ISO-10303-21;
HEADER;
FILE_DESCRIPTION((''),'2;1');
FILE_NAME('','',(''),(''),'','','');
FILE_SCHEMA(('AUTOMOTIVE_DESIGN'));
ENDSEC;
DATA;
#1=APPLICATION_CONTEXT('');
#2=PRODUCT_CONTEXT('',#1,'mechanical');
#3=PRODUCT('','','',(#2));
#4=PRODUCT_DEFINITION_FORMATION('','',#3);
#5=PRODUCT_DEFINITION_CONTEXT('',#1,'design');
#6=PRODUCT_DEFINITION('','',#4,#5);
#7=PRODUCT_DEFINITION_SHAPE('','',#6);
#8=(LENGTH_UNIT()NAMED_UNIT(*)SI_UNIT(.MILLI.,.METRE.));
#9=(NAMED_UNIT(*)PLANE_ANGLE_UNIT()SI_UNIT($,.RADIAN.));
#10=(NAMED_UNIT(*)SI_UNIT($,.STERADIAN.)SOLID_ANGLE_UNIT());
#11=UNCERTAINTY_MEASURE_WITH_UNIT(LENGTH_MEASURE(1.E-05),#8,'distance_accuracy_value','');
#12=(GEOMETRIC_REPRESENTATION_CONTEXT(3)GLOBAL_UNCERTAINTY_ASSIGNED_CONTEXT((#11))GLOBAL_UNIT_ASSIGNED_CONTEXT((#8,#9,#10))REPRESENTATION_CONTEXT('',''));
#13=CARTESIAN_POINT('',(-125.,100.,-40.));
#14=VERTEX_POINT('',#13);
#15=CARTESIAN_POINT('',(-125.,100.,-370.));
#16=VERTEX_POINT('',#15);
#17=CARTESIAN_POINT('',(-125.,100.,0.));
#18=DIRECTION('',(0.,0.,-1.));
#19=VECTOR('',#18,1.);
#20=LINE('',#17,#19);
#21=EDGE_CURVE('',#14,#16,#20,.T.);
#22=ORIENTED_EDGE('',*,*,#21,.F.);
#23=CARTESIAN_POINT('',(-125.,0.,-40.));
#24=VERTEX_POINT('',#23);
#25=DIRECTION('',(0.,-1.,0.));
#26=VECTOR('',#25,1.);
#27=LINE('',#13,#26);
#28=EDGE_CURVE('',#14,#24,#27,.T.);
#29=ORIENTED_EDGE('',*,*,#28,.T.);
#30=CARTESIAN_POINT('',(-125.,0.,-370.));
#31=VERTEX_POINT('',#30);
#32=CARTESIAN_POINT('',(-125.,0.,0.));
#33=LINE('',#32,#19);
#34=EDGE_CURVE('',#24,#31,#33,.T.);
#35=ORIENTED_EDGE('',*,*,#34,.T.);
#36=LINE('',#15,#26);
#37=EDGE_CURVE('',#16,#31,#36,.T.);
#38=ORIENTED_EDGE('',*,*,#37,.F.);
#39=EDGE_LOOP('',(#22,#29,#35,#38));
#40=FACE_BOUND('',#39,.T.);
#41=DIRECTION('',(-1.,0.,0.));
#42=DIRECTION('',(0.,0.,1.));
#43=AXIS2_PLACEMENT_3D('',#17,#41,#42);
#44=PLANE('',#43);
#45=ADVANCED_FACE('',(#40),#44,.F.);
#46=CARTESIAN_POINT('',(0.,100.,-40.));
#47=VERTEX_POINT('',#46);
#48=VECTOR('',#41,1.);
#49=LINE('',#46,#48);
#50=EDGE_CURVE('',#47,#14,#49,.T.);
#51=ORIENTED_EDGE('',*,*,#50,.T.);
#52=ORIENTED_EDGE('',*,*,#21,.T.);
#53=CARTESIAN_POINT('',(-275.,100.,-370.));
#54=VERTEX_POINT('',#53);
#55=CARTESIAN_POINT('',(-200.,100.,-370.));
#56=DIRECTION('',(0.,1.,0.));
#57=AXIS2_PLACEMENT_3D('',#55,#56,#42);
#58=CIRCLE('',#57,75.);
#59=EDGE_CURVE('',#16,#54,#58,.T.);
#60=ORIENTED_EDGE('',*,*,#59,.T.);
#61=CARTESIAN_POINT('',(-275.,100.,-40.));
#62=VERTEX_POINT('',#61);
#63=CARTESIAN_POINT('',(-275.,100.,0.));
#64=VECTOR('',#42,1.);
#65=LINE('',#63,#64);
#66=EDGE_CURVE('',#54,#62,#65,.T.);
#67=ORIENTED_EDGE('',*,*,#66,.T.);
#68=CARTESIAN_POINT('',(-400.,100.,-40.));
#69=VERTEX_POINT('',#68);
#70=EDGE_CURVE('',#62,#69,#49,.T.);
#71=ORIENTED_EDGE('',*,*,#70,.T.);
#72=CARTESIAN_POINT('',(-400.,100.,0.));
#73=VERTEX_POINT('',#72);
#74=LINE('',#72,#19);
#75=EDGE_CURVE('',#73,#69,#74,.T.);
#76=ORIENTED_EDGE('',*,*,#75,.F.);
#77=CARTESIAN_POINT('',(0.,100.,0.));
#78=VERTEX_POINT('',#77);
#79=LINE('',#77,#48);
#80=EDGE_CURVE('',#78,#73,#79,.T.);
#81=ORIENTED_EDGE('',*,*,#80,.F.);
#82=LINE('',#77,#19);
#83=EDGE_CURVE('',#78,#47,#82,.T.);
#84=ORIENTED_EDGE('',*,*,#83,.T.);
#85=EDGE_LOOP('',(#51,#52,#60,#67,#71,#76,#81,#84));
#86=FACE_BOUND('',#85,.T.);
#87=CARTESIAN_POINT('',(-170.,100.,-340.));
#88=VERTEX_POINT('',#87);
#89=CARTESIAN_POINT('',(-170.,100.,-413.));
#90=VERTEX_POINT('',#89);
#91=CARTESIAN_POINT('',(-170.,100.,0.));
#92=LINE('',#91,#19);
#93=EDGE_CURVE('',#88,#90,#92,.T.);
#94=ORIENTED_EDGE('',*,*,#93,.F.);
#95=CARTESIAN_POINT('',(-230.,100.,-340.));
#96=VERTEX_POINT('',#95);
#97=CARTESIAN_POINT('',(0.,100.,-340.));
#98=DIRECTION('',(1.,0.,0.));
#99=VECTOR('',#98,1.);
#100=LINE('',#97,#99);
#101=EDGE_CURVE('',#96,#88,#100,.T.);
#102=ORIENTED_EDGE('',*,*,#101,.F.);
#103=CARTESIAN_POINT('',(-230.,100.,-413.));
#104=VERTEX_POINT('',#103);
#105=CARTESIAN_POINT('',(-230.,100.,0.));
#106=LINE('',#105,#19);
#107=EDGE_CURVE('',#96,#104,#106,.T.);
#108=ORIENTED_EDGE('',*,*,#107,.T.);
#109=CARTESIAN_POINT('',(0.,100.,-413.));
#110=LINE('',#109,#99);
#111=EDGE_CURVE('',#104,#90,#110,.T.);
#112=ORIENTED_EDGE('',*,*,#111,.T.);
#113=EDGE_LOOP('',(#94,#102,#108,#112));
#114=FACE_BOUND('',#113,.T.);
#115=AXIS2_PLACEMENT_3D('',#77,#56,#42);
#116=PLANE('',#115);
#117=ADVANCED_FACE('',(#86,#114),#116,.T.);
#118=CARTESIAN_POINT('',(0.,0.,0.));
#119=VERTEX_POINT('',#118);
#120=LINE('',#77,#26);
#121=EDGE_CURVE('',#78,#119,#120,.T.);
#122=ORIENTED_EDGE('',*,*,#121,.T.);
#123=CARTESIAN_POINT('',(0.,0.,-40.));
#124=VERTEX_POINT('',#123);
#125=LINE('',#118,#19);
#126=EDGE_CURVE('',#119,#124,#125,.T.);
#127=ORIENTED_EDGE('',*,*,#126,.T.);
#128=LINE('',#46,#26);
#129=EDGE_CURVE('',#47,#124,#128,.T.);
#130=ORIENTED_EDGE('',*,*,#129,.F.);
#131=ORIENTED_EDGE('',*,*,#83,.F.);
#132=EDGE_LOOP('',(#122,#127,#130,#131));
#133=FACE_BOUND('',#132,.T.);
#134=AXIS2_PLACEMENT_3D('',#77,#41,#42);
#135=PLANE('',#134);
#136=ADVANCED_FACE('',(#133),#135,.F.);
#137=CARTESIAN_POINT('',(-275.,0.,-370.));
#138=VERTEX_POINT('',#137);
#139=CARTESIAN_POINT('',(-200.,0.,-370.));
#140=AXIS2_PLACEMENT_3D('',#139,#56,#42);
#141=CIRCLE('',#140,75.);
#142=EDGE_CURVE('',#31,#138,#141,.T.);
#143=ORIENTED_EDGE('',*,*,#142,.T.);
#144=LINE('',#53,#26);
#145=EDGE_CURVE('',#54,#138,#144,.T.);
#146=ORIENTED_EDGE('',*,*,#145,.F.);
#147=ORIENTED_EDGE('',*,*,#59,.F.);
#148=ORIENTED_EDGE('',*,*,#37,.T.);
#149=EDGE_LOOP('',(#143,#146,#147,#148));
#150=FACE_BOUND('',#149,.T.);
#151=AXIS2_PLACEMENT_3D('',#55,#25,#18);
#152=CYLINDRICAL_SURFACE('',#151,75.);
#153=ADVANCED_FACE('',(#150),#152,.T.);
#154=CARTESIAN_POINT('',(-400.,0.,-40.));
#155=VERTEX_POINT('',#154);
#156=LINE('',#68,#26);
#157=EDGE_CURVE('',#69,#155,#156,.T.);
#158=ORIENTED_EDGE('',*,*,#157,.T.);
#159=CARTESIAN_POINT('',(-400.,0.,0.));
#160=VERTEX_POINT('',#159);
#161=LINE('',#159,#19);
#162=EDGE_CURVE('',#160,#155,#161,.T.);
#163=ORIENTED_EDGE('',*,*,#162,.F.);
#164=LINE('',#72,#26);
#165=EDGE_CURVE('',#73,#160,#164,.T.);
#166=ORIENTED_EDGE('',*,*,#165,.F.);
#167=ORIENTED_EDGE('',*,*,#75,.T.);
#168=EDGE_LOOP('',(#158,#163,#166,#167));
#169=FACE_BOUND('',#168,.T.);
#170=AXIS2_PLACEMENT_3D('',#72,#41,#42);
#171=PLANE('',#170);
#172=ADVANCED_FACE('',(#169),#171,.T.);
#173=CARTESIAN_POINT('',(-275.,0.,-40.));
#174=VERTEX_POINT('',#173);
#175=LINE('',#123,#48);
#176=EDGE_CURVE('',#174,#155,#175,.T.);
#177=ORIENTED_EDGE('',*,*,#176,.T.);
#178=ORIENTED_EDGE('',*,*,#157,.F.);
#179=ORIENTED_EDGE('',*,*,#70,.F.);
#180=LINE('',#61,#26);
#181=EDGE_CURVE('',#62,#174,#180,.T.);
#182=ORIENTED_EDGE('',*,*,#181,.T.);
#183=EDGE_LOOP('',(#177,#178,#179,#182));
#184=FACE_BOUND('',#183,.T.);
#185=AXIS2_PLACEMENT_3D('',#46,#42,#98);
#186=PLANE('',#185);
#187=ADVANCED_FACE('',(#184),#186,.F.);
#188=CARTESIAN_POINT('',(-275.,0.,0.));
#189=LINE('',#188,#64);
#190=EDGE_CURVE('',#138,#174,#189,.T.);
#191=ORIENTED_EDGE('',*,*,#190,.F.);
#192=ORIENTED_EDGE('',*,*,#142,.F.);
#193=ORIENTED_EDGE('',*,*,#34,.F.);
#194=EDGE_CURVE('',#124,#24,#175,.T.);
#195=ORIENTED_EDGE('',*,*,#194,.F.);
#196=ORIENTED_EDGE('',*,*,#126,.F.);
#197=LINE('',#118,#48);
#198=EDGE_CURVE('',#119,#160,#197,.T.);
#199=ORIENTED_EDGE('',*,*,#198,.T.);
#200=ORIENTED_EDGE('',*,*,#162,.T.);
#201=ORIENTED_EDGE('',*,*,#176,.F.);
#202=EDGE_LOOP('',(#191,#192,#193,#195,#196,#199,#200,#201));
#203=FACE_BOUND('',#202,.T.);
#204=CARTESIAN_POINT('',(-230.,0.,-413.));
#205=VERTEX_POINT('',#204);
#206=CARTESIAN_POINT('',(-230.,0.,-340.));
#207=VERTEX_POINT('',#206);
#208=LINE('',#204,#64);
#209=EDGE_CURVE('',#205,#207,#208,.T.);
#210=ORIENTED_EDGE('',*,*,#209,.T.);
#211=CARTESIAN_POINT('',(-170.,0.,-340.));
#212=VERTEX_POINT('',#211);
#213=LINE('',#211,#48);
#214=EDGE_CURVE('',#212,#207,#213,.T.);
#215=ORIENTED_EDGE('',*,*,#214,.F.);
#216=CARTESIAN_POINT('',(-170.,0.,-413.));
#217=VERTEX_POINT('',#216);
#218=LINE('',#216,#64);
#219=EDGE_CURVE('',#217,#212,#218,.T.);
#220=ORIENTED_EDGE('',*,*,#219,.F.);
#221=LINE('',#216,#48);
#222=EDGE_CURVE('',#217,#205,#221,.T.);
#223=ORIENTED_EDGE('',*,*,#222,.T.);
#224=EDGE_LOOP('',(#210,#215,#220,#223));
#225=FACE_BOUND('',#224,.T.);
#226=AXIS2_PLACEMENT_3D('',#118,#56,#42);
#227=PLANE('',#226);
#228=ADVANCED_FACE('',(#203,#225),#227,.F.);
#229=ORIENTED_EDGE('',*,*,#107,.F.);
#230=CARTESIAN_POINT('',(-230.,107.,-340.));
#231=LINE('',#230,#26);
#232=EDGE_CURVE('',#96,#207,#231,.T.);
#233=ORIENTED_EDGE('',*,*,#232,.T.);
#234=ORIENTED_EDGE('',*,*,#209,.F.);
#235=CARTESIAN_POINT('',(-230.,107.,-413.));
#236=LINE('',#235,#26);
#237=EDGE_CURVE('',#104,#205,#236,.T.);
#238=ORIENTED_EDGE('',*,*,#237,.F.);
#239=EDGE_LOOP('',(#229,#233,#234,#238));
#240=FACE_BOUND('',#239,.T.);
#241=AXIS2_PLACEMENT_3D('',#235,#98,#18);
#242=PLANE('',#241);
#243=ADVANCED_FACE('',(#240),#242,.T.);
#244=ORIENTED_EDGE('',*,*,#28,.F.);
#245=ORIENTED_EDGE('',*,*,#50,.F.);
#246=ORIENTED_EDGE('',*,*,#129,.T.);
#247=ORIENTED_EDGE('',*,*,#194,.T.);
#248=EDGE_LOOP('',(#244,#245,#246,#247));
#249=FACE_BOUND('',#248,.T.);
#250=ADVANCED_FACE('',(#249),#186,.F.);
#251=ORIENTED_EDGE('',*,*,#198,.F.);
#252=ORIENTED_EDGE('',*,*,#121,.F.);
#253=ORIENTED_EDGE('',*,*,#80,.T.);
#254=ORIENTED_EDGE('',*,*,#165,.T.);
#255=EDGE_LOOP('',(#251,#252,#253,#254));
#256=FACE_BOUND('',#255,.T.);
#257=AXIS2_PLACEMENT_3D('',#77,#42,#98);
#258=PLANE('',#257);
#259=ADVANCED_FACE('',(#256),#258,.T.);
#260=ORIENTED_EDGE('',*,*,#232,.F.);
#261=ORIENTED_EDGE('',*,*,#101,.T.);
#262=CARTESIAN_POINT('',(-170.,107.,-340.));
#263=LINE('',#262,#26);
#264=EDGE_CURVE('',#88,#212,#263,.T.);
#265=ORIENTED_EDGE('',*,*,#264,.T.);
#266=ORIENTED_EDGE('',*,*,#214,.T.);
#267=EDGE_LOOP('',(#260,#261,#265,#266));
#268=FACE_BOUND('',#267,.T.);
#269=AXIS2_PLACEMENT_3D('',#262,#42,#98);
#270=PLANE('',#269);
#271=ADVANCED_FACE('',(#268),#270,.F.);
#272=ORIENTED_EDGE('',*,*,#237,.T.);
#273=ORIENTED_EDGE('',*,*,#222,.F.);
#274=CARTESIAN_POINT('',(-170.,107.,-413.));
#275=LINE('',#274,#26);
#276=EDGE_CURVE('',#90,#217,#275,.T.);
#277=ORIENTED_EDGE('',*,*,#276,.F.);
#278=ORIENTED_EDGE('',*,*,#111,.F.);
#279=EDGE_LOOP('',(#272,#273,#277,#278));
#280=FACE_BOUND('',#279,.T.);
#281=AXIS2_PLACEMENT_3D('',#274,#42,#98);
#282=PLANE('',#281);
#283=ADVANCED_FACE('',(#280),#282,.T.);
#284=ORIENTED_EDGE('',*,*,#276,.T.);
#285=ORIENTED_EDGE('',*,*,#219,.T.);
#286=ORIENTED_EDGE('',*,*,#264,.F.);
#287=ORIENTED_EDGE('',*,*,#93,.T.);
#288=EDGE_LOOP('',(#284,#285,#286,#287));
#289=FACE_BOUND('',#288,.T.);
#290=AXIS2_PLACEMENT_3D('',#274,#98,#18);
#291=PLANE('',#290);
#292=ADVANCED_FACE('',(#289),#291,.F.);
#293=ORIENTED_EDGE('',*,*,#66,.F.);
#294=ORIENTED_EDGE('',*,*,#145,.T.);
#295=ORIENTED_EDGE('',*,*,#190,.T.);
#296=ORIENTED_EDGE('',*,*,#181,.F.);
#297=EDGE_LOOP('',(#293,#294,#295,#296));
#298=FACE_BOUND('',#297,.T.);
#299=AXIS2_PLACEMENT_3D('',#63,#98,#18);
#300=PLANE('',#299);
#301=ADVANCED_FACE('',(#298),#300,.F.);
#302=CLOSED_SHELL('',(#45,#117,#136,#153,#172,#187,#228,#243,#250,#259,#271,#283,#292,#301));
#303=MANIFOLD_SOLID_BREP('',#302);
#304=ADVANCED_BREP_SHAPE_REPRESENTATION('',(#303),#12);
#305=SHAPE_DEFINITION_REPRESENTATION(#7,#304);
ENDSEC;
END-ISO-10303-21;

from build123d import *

# Parameters (mm, degrees)
CROQUIS2_R              = 75
CROQUIS2_R_2            = 25
CROQUIS2_W              = 400
CROQUIS2_H              = 40
SALIENTE_EXTRUIR1_DEPTH = 100
CROQUIS3_W              = 60
CROQUIS3_H              = 73
CORTAR_EXTRUIR1_DEPTH   = 107


with BuildPart() as part:
    # Croquis2 → Saliente-Extruir1 (new body)
    # profile 1 of 3: a face of its own
    with BuildSketch(Plane(origin=(0, 0, 0), x_dir=(1, 0, 0), z_dir=(0, 1, 0))):
        with Locations((-200, 370)):
            Circle(CROQUIS2_R)
        with Locations(Location((-200, 370, 0), (0, 0, 270))):
            Circle(CROQUIS2_R_2, mode=Mode.SUBTRACT)
    # profile 2 of 3: a face of its own
    with BuildSketch(Plane(origin=(0, 0, 0), x_dir=(1, 0, 0), z_dir=(0, 1, 0))):
        with BuildLine():
            Line((-275, 345), (-275, 40))
            Line((-275, 40), (-200, 40))
            Line((-200, 40), (-125, 40))
            Line((-125, 40), (-125, 345))
            Line((-125, 345), (-125, 370))
            ThreePointArc((-125, 370), (-200, 295), (-275, 370))
            Line((-275, 370), (-275, 345))
        make_face()
    # profile 3 of 3: a face of its own
    with BuildSketch(Plane(origin=(0, 0, 0), x_dir=(1, 0, 0), z_dir=(0, 1, 0))):
        with Locations((-200, 20)):
            Rectangle(CROQUIS2_W, CROQUIS2_H)
    extrude(amount=SALIENTE_EXTRUIR1_DEPTH)

    # Croquis3 → Cortar-Extruir1 (cut)
    with BuildSketch(Plane.XZ):
        with Locations((-200, -376.5)):
            Rectangle(CROQUIS3_W, CROQUIS3_H)
    extrude(amount=-CORTAR_EXTRUIR1_DEPTH, mode=Mode.SUBTRACT)


solid = part.part
